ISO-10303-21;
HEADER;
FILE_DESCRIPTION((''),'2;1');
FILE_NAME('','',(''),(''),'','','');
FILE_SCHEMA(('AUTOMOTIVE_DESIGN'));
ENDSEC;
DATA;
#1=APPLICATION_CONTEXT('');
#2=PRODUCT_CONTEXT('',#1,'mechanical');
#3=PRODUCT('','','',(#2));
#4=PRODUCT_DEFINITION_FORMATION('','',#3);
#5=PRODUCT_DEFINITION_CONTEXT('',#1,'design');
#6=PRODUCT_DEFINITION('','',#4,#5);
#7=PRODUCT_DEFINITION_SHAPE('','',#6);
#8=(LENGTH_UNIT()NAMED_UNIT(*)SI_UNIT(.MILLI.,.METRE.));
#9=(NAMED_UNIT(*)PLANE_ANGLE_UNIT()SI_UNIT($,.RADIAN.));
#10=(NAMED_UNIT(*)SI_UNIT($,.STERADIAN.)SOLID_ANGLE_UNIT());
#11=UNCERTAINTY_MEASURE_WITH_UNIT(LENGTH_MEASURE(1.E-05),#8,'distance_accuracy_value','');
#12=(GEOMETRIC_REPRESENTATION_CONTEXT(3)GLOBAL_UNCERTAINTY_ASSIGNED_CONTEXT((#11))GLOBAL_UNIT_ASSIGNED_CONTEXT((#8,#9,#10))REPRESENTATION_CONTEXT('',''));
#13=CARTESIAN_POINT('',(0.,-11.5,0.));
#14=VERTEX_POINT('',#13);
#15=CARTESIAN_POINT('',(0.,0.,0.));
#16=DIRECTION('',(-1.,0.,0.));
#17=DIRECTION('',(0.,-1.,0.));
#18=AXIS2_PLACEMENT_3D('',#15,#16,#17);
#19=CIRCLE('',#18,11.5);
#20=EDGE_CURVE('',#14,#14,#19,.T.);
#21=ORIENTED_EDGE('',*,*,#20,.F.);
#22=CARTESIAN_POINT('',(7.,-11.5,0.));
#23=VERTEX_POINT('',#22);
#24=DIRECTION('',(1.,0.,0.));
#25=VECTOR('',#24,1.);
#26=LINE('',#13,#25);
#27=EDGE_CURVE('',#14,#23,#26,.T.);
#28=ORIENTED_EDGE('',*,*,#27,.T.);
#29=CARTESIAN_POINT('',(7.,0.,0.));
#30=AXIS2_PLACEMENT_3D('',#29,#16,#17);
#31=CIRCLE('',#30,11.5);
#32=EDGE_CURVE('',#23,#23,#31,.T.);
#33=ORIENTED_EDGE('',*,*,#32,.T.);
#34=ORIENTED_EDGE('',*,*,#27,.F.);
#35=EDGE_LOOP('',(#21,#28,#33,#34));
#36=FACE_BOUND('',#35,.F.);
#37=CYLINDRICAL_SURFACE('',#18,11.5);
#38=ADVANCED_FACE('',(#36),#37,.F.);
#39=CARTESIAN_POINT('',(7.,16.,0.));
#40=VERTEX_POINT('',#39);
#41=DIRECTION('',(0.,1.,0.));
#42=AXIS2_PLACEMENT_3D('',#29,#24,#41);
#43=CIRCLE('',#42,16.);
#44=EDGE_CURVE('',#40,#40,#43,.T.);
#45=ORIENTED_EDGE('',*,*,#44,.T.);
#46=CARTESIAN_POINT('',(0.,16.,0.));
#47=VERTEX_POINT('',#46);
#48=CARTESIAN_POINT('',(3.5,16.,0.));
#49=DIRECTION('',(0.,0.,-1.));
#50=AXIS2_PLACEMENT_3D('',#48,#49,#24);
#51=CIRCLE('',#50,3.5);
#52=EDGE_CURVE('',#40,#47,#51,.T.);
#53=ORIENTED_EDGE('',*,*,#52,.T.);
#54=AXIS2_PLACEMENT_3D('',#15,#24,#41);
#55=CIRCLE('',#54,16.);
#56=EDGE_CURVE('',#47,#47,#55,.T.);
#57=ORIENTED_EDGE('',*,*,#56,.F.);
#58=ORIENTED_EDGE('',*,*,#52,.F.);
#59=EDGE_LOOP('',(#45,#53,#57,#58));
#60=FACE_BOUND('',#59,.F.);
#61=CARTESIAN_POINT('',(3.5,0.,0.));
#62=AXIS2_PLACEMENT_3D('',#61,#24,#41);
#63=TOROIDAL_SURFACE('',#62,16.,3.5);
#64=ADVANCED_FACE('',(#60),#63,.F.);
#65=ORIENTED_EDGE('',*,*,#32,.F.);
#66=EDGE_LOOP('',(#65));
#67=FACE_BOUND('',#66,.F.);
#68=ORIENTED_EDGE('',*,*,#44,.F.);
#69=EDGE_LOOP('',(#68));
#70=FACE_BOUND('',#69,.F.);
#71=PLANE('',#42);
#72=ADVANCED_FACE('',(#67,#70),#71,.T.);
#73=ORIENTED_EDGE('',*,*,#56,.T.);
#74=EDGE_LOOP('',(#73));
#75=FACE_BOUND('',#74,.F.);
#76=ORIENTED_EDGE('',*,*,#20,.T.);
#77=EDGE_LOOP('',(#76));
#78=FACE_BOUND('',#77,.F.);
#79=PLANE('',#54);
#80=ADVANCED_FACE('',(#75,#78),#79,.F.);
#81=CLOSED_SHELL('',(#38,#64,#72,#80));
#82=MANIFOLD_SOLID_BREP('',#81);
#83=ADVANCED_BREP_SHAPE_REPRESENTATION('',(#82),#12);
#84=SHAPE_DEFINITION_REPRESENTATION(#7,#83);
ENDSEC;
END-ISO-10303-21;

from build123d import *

# Parameters (mm, degrees)
F0_W     = 7
F0_H     = 11
F2_R     = 22
F2_R_2   = 16
F3_DEPTH = 25
F4_R     = 11.5
F5_DEPTH = 25


with BuildPart() as f1:
    # F0 (on Top) → F1 (revolve)
    with BuildSketch(Plane.XY):
        with Locations((3.5, 5.5)):
            Rectangle(F0_W, F0_H)
        with BuildLine():
            Line((0, 16), (0, 11))
            Line((0, 11), (7, 11))
            Line((7, 11), (7, 16))
            ThreePointArc((7, 16), (3.5, 12.5), (0, 16))
        make_face()
    revolve(axis=Axis((3.5, 0, 0), (1, 0, 0)))

    # F2 (on face) → F3 (cut)
    with BuildSketch(Plane(origin=(0, 0, 0), x_dir=(0, -1, 0), z_dir=(-1, 0, 0))):
        Circle(F2_R)
        Circle(F2_R_2, mode=Mode.SUBTRACT)
    extrude(amount=-F3_DEPTH, mode=Mode.SUBTRACT)

    # F4 (on face) → F5 (cut)
    with BuildSketch(Plane(origin=(0, 0, 0), x_dir=(0, -1, 0), z_dir=(-1, 0, 0))):
        Circle(F4_R)
    extrude(amount=-F5_DEPTH, mode=Mode.SUBTRACT)


solid = f1.part
